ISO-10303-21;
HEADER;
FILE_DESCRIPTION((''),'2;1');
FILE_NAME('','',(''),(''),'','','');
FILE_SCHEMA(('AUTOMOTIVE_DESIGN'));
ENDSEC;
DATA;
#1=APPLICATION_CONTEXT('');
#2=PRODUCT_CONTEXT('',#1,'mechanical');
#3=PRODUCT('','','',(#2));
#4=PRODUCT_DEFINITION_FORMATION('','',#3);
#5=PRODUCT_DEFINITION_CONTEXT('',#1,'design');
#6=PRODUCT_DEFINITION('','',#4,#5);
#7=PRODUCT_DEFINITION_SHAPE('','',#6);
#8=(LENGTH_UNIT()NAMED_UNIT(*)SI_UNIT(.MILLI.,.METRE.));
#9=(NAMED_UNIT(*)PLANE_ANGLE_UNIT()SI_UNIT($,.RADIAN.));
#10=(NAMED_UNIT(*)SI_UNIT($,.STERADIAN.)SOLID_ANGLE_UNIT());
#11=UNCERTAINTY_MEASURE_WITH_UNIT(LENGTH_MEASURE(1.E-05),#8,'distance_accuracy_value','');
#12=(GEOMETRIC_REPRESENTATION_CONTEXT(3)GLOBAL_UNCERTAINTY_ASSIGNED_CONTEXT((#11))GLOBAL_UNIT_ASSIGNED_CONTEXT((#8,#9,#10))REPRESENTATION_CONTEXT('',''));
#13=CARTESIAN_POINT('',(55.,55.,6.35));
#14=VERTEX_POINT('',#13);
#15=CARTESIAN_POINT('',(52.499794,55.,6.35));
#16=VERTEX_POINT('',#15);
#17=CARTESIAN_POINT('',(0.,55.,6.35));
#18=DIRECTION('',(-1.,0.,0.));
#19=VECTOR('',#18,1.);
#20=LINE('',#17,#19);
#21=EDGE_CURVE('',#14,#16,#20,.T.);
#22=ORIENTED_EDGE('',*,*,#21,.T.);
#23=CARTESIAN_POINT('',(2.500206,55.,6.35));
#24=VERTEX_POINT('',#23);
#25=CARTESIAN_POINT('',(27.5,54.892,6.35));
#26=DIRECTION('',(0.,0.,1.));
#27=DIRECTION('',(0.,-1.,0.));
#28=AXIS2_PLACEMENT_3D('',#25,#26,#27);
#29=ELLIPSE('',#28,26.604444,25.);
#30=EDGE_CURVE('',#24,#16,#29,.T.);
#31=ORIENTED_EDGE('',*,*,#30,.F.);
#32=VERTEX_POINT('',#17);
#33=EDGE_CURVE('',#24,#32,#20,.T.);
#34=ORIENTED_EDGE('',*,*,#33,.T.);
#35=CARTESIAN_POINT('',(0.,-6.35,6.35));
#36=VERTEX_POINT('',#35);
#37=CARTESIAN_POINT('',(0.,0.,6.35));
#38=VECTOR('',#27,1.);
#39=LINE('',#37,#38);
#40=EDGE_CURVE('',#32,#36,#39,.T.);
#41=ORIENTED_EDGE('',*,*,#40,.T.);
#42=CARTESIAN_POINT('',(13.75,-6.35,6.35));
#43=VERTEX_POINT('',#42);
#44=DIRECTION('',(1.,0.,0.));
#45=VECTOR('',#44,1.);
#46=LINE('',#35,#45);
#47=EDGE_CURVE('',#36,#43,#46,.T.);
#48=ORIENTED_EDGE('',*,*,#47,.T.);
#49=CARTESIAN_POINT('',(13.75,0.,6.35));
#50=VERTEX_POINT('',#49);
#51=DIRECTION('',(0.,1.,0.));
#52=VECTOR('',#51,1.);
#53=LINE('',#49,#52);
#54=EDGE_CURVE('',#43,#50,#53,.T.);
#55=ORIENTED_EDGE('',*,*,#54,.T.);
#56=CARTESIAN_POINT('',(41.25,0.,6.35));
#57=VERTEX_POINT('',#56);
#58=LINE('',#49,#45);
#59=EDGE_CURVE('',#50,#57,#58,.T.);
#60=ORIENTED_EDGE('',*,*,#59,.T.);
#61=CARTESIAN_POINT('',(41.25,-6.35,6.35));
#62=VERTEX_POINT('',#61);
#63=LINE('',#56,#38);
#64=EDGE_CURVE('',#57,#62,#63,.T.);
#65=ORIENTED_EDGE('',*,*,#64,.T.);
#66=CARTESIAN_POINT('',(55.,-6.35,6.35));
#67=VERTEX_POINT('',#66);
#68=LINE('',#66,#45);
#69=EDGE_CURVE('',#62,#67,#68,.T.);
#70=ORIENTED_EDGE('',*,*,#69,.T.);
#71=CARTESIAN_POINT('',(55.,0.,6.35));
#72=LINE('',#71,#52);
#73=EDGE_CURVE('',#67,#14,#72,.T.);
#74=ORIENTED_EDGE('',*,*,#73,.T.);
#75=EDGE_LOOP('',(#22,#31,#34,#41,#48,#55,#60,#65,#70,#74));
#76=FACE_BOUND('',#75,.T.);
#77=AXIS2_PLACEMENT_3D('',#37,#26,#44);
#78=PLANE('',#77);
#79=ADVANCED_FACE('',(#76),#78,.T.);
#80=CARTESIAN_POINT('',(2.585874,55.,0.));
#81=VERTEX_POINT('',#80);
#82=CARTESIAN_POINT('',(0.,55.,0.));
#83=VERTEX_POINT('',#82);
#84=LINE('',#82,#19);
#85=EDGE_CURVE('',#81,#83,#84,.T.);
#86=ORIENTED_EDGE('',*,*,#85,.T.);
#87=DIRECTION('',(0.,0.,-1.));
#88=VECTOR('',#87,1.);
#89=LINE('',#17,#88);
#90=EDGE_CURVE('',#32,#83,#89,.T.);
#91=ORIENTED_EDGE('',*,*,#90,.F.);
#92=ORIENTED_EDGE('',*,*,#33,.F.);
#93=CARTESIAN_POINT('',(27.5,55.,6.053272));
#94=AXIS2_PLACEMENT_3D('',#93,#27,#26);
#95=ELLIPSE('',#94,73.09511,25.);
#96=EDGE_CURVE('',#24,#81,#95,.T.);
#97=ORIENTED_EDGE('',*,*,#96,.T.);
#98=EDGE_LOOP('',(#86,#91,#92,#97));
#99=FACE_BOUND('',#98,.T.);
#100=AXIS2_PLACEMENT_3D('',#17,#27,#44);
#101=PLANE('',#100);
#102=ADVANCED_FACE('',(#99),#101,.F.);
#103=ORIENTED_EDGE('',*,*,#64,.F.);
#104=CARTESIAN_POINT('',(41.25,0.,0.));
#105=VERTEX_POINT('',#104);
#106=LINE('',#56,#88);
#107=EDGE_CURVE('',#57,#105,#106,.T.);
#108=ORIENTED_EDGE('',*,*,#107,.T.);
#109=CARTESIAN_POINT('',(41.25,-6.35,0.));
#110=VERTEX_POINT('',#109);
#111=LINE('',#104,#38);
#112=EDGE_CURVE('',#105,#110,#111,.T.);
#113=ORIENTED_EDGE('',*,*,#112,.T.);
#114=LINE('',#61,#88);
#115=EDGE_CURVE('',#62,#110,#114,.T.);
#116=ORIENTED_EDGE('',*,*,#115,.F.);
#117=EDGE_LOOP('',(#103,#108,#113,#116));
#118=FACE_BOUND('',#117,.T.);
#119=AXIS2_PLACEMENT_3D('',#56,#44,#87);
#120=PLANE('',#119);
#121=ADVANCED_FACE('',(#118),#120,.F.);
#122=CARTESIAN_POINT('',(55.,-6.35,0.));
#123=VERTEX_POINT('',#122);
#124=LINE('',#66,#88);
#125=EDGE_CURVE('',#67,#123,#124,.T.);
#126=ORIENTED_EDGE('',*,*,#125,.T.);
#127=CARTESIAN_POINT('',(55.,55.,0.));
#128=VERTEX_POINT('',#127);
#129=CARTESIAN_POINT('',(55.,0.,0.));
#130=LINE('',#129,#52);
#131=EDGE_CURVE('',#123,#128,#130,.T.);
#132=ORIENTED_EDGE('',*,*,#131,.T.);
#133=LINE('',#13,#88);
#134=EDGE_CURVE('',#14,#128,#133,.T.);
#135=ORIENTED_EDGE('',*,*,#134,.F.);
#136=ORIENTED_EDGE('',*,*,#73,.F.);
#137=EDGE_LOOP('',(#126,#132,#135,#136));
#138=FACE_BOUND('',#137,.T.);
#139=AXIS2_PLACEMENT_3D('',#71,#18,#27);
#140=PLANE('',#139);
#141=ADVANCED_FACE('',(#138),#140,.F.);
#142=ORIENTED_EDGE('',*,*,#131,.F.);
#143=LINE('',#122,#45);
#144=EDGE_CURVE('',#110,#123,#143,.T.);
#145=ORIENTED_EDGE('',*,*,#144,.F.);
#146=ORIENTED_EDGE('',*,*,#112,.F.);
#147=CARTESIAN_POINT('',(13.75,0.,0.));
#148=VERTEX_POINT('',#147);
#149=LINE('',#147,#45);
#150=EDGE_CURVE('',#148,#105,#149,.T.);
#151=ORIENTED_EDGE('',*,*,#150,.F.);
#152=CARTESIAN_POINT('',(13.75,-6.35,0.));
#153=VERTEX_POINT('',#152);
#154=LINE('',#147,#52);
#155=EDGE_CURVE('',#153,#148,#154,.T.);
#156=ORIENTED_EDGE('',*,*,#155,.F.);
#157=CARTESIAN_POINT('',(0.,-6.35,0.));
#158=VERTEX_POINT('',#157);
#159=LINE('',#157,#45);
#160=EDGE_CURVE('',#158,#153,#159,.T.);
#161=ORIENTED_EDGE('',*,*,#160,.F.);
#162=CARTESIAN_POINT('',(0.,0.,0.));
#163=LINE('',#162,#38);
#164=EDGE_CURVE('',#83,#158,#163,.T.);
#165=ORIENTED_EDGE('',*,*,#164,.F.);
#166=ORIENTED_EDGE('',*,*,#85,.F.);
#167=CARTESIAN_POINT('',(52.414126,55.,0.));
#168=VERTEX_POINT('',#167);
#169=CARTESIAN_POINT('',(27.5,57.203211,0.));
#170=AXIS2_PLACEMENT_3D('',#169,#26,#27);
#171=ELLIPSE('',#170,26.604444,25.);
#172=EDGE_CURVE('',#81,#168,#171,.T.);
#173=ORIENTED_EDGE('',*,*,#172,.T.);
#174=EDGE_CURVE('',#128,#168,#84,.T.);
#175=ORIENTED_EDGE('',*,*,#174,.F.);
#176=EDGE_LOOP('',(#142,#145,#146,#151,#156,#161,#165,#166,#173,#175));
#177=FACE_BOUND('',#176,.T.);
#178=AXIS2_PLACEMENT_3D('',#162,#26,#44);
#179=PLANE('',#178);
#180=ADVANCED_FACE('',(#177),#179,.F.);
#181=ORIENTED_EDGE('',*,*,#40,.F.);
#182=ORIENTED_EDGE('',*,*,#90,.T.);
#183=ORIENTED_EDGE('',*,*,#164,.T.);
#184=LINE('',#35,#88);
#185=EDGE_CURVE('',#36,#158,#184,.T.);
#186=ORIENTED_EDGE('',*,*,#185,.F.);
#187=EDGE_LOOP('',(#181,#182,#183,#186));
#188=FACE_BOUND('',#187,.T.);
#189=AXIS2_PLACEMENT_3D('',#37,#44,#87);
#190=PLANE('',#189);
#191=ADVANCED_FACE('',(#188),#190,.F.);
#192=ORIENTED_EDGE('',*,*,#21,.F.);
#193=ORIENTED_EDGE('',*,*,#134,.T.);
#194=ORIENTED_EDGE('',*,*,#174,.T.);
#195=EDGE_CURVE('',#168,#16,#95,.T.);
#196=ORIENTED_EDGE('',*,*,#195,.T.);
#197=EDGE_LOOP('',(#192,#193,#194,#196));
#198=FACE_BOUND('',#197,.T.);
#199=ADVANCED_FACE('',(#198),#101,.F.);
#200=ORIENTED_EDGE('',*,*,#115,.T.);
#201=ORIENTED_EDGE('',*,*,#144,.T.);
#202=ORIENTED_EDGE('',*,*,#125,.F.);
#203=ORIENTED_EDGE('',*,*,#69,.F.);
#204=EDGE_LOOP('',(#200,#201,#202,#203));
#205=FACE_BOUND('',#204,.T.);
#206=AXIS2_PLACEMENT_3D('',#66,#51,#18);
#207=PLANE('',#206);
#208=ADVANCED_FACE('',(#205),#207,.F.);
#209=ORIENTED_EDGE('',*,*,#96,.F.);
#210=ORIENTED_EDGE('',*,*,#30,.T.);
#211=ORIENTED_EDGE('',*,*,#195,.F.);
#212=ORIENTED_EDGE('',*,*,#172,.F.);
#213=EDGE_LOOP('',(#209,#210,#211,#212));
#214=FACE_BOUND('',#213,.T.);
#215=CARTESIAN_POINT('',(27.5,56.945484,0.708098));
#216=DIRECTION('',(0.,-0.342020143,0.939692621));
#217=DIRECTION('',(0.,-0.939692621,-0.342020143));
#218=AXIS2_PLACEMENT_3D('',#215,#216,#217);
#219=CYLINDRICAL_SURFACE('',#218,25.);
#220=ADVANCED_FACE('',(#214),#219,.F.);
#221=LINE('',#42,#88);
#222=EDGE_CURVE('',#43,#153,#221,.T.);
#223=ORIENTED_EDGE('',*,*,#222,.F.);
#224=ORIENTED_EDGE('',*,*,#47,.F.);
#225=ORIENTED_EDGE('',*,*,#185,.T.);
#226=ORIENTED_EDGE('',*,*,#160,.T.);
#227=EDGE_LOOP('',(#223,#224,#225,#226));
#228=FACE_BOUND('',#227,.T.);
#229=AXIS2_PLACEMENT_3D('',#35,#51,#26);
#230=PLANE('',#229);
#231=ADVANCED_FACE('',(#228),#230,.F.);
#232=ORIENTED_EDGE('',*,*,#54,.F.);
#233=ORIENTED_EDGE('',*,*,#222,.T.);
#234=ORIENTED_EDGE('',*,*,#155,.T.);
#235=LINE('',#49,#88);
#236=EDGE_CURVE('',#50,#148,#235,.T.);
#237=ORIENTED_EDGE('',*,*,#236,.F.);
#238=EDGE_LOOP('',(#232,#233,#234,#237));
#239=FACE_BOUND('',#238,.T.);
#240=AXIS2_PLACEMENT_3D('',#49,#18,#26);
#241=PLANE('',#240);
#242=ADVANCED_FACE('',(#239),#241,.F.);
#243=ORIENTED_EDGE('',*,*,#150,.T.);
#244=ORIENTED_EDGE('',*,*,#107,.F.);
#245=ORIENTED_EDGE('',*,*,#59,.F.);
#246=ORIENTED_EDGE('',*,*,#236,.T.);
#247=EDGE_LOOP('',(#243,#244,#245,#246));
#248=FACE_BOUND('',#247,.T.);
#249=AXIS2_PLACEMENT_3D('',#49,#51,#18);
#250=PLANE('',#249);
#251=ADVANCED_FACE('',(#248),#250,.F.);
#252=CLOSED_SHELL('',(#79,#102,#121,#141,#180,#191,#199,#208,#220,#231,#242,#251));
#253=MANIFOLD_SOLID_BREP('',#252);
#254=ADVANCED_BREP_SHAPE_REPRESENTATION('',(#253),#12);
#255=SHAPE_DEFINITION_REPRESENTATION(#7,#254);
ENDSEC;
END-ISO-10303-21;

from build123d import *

# Parameters (mm, degrees)
BOSS_EXTRUDE1_DEPTH     = 6.35
CUT_EXTRUDE1_DEPTH      = 77.97632097
CUT_EXTRUDE1_DEPTH_BACK = 77.97632097
SKETCH10_R              = 25.000000038


with BuildPart() as part:
    # Sketch2 → Boss-Extrude1 (new body)
    with BuildSketch(Plane.XY):
        Polygon((13.749999995, 0), (41.249999987, 0), (41.249999987, -6.35), (54.999999982, -6.35), (54.999999982, 0), (54.999999982, 54.999999982), (0, 54.999999982), (0, 0), (0, -6.35), (13.749999995, -6.35), align=None)
    extrude(amount=BOSS_EXTRUDE1_DEPTH)

    # Sketch10 → Cut-Extrude1 (cut, two sides: drawn at the far end of the back side and taken through both)
    with BuildSketch(Plane(origin=(0, 4.380293547, -12.034757611), x_dir=(1, 0, 0), z_dir=(0, -0.3420201433256669, 0.9396926207859092)).offset(-CUT_EXTRUDE1_DEPTH_BACK)):
        with Locations((27.499999991, 53.753435198)):
            Circle(SKETCH10_R)
    extrude(amount=CUT_EXTRUDE1_DEPTH + CUT_EXTRUDE1_DEPTH_BACK, mode=Mode.SUBTRACT)


solid = part.part
